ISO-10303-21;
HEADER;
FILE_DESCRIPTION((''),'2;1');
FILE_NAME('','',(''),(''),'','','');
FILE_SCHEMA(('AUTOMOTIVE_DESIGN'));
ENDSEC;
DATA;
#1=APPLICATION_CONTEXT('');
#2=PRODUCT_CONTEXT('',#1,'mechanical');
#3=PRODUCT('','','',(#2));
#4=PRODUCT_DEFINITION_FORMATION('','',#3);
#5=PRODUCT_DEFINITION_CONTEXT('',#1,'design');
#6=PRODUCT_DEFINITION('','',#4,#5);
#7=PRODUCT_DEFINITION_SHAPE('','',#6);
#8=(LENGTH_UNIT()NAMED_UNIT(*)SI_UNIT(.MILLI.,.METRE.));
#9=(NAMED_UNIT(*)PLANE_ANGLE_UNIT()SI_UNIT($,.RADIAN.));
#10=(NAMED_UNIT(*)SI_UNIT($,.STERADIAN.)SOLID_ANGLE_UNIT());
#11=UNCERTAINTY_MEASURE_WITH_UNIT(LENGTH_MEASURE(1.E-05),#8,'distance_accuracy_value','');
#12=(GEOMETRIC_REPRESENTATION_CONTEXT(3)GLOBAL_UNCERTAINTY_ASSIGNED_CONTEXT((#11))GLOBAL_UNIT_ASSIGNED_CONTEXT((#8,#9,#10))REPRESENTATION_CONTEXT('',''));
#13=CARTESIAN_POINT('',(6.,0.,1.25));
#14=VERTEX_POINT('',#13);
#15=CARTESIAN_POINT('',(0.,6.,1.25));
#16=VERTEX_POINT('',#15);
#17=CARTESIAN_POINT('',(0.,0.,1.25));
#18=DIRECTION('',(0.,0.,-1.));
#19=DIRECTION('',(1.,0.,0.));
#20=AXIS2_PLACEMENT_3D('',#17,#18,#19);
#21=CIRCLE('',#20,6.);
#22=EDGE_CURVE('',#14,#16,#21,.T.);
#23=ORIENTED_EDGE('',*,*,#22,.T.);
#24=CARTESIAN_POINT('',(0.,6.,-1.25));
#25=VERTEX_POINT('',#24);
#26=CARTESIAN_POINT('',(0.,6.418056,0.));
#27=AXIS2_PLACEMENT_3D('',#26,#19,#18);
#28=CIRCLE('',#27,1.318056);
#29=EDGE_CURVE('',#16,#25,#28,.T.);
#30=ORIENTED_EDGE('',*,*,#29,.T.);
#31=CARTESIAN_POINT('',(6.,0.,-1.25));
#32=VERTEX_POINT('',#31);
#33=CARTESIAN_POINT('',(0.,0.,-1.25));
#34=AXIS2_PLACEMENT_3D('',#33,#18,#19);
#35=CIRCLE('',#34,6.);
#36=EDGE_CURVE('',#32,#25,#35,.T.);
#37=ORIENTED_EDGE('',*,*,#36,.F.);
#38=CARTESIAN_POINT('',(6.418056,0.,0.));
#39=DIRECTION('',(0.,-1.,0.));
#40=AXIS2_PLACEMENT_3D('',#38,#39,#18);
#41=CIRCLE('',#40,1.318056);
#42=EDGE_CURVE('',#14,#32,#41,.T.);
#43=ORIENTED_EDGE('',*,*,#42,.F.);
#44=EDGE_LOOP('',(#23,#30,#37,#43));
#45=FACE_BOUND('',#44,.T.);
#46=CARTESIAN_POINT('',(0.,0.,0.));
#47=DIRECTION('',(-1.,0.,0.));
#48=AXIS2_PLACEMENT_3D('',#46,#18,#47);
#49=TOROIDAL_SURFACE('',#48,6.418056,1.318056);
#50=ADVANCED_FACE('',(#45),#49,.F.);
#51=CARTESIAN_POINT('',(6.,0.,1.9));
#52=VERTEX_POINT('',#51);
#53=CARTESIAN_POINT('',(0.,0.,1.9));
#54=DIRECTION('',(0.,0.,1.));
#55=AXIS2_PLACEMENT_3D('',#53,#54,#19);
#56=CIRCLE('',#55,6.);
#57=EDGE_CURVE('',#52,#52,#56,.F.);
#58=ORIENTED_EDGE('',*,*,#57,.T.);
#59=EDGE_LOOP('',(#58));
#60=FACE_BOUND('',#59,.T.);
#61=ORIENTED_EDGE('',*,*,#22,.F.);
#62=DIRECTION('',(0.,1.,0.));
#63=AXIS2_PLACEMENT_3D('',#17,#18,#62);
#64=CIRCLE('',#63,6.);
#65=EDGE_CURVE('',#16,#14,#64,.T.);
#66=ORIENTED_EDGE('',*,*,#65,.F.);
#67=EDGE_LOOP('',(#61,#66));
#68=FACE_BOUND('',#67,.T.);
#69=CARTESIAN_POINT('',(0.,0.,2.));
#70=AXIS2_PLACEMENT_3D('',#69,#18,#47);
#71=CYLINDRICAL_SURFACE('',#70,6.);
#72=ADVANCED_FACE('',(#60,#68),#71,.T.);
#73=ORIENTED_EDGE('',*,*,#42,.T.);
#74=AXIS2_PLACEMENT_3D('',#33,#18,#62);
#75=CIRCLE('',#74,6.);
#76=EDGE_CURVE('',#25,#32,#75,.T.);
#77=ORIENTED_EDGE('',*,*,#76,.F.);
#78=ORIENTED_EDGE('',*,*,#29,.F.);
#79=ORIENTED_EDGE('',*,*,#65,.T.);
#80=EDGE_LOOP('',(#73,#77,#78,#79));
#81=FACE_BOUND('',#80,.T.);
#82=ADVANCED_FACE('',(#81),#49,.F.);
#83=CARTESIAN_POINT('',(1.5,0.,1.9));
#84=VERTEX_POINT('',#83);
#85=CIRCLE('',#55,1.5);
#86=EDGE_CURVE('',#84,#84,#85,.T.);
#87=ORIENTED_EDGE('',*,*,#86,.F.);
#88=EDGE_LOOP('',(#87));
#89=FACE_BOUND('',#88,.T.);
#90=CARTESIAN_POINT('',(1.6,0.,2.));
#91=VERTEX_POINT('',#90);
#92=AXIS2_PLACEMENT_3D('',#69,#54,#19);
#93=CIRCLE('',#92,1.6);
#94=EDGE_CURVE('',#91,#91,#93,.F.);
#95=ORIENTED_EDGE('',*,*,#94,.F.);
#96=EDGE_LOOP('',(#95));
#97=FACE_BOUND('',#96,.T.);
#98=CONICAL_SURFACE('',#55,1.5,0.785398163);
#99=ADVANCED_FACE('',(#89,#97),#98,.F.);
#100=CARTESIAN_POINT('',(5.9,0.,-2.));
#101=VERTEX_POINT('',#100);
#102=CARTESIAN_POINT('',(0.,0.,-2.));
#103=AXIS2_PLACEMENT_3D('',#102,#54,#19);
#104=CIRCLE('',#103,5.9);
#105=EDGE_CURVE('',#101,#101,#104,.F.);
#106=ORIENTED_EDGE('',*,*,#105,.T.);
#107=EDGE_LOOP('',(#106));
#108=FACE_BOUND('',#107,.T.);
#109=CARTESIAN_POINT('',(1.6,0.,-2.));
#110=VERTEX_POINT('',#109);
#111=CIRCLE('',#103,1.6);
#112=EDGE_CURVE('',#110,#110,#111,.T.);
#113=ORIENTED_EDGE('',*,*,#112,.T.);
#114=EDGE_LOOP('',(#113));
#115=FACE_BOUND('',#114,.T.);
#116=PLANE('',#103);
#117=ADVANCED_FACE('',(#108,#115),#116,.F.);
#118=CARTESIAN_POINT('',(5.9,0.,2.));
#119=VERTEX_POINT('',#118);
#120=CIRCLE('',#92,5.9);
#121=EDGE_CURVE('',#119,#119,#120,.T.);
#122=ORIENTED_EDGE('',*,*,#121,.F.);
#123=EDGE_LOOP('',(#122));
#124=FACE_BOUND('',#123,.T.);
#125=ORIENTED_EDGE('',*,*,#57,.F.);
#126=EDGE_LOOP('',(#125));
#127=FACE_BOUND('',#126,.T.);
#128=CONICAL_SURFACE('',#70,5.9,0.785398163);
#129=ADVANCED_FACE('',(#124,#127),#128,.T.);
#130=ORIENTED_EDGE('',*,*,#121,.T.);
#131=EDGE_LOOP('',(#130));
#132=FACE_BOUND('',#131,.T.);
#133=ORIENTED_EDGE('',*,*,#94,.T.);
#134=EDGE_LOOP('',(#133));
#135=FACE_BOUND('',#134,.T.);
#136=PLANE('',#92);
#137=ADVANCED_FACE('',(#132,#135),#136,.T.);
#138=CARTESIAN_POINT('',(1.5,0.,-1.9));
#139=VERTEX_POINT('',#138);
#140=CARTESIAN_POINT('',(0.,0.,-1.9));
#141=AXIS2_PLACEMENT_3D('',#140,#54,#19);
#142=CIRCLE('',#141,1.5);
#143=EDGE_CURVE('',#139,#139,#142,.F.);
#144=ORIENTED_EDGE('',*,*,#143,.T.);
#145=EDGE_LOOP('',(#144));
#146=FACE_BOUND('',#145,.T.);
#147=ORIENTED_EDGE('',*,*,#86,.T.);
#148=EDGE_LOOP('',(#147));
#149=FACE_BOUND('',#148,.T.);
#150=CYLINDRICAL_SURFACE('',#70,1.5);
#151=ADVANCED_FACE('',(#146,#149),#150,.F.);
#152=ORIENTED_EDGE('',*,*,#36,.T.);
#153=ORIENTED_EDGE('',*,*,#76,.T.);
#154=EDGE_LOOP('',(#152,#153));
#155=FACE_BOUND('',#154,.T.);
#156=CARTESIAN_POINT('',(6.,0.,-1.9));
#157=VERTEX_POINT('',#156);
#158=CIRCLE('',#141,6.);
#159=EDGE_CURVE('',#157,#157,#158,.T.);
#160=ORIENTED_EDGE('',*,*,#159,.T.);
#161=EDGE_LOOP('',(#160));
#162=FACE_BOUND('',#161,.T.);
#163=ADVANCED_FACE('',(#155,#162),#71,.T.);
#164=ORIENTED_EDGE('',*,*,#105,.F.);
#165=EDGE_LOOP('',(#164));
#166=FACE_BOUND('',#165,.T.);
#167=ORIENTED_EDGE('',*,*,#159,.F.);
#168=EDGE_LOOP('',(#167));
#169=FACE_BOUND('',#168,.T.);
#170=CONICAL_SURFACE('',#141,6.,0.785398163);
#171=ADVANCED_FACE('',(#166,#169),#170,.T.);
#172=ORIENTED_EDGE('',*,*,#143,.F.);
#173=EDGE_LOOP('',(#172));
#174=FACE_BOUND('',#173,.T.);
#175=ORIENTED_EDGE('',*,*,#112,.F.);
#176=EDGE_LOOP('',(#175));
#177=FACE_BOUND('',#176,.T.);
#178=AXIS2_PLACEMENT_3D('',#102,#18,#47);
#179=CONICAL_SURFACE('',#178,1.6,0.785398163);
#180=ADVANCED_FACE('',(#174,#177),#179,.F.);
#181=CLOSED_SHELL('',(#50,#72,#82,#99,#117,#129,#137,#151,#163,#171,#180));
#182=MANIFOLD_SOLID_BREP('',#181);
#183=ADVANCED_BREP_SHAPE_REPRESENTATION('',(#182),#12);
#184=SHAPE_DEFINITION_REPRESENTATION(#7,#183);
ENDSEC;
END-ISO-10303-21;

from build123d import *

# Parameters (mm, degrees)
SKETCH_1_R      = 6
SKETCH_1_R_2    = 1.5
EXTRUDE_1_DEPTH = 2
CHAMFER_1_SIZE  = 0.1


with BuildPart() as part:
    # 草图1 → 凸台-拉伸1 (new, symmetric)
    with BuildSketch(Plane.XY):
        Circle(SKETCH_1_R)
        Circle(SKETCH_1_R_2, mode=Mode.SUBTRACT)
    extrude(amount=EXTRUDE_1_DEPTH, both=True)

    # 切除-扫描1: sweep along a curve in space
    with BuildLine() as sweep_1_path:
        ThreePointArc((6, 0, -2), (4.242640687, 4.242640687, -2), (0, 6, -2))
        ThreePointArc((0, 6, -2), (-4.242640687, 4.242640687, -2), (-6, 0, -2))
        ThreePointArc((-6, 0, -2), (-4.242640687, -4.242640687, -2), (0, -6, -2))
        ThreePointArc((0, -6, -2), (4.242640687, -4.242640687, -2), (6, 0, -2))
    # 草图2 → 切除-扫描1 (sweep, cut)
    with BuildSketch(Plane(origin=(0, 0, 0), x_dir=(0, 0, -1), z_dir=(1, 0, 0))):
        with BuildLine():
            Line((-1.25, 6), (1.25, 6))
            ThreePointArc((1.25, 6), (0, 5.1), (-1.25, 6))
        make_face()
    sweep(path=sweep_1_path.line, mode=Mode.SUBTRACT)

    # 倒角1
    chamfer_1_edges = [part.edges().sort_by_distance(p)[0] for p in [
        (-6, 0, -2),
        (-6, 0, 2),
        (-1.5, 0, -2),
        (-1.5, 0, 2),
    ]]
    chamfer(chamfer_1_edges, length=CHAMFER_1_SIZE)


solid = part.part
